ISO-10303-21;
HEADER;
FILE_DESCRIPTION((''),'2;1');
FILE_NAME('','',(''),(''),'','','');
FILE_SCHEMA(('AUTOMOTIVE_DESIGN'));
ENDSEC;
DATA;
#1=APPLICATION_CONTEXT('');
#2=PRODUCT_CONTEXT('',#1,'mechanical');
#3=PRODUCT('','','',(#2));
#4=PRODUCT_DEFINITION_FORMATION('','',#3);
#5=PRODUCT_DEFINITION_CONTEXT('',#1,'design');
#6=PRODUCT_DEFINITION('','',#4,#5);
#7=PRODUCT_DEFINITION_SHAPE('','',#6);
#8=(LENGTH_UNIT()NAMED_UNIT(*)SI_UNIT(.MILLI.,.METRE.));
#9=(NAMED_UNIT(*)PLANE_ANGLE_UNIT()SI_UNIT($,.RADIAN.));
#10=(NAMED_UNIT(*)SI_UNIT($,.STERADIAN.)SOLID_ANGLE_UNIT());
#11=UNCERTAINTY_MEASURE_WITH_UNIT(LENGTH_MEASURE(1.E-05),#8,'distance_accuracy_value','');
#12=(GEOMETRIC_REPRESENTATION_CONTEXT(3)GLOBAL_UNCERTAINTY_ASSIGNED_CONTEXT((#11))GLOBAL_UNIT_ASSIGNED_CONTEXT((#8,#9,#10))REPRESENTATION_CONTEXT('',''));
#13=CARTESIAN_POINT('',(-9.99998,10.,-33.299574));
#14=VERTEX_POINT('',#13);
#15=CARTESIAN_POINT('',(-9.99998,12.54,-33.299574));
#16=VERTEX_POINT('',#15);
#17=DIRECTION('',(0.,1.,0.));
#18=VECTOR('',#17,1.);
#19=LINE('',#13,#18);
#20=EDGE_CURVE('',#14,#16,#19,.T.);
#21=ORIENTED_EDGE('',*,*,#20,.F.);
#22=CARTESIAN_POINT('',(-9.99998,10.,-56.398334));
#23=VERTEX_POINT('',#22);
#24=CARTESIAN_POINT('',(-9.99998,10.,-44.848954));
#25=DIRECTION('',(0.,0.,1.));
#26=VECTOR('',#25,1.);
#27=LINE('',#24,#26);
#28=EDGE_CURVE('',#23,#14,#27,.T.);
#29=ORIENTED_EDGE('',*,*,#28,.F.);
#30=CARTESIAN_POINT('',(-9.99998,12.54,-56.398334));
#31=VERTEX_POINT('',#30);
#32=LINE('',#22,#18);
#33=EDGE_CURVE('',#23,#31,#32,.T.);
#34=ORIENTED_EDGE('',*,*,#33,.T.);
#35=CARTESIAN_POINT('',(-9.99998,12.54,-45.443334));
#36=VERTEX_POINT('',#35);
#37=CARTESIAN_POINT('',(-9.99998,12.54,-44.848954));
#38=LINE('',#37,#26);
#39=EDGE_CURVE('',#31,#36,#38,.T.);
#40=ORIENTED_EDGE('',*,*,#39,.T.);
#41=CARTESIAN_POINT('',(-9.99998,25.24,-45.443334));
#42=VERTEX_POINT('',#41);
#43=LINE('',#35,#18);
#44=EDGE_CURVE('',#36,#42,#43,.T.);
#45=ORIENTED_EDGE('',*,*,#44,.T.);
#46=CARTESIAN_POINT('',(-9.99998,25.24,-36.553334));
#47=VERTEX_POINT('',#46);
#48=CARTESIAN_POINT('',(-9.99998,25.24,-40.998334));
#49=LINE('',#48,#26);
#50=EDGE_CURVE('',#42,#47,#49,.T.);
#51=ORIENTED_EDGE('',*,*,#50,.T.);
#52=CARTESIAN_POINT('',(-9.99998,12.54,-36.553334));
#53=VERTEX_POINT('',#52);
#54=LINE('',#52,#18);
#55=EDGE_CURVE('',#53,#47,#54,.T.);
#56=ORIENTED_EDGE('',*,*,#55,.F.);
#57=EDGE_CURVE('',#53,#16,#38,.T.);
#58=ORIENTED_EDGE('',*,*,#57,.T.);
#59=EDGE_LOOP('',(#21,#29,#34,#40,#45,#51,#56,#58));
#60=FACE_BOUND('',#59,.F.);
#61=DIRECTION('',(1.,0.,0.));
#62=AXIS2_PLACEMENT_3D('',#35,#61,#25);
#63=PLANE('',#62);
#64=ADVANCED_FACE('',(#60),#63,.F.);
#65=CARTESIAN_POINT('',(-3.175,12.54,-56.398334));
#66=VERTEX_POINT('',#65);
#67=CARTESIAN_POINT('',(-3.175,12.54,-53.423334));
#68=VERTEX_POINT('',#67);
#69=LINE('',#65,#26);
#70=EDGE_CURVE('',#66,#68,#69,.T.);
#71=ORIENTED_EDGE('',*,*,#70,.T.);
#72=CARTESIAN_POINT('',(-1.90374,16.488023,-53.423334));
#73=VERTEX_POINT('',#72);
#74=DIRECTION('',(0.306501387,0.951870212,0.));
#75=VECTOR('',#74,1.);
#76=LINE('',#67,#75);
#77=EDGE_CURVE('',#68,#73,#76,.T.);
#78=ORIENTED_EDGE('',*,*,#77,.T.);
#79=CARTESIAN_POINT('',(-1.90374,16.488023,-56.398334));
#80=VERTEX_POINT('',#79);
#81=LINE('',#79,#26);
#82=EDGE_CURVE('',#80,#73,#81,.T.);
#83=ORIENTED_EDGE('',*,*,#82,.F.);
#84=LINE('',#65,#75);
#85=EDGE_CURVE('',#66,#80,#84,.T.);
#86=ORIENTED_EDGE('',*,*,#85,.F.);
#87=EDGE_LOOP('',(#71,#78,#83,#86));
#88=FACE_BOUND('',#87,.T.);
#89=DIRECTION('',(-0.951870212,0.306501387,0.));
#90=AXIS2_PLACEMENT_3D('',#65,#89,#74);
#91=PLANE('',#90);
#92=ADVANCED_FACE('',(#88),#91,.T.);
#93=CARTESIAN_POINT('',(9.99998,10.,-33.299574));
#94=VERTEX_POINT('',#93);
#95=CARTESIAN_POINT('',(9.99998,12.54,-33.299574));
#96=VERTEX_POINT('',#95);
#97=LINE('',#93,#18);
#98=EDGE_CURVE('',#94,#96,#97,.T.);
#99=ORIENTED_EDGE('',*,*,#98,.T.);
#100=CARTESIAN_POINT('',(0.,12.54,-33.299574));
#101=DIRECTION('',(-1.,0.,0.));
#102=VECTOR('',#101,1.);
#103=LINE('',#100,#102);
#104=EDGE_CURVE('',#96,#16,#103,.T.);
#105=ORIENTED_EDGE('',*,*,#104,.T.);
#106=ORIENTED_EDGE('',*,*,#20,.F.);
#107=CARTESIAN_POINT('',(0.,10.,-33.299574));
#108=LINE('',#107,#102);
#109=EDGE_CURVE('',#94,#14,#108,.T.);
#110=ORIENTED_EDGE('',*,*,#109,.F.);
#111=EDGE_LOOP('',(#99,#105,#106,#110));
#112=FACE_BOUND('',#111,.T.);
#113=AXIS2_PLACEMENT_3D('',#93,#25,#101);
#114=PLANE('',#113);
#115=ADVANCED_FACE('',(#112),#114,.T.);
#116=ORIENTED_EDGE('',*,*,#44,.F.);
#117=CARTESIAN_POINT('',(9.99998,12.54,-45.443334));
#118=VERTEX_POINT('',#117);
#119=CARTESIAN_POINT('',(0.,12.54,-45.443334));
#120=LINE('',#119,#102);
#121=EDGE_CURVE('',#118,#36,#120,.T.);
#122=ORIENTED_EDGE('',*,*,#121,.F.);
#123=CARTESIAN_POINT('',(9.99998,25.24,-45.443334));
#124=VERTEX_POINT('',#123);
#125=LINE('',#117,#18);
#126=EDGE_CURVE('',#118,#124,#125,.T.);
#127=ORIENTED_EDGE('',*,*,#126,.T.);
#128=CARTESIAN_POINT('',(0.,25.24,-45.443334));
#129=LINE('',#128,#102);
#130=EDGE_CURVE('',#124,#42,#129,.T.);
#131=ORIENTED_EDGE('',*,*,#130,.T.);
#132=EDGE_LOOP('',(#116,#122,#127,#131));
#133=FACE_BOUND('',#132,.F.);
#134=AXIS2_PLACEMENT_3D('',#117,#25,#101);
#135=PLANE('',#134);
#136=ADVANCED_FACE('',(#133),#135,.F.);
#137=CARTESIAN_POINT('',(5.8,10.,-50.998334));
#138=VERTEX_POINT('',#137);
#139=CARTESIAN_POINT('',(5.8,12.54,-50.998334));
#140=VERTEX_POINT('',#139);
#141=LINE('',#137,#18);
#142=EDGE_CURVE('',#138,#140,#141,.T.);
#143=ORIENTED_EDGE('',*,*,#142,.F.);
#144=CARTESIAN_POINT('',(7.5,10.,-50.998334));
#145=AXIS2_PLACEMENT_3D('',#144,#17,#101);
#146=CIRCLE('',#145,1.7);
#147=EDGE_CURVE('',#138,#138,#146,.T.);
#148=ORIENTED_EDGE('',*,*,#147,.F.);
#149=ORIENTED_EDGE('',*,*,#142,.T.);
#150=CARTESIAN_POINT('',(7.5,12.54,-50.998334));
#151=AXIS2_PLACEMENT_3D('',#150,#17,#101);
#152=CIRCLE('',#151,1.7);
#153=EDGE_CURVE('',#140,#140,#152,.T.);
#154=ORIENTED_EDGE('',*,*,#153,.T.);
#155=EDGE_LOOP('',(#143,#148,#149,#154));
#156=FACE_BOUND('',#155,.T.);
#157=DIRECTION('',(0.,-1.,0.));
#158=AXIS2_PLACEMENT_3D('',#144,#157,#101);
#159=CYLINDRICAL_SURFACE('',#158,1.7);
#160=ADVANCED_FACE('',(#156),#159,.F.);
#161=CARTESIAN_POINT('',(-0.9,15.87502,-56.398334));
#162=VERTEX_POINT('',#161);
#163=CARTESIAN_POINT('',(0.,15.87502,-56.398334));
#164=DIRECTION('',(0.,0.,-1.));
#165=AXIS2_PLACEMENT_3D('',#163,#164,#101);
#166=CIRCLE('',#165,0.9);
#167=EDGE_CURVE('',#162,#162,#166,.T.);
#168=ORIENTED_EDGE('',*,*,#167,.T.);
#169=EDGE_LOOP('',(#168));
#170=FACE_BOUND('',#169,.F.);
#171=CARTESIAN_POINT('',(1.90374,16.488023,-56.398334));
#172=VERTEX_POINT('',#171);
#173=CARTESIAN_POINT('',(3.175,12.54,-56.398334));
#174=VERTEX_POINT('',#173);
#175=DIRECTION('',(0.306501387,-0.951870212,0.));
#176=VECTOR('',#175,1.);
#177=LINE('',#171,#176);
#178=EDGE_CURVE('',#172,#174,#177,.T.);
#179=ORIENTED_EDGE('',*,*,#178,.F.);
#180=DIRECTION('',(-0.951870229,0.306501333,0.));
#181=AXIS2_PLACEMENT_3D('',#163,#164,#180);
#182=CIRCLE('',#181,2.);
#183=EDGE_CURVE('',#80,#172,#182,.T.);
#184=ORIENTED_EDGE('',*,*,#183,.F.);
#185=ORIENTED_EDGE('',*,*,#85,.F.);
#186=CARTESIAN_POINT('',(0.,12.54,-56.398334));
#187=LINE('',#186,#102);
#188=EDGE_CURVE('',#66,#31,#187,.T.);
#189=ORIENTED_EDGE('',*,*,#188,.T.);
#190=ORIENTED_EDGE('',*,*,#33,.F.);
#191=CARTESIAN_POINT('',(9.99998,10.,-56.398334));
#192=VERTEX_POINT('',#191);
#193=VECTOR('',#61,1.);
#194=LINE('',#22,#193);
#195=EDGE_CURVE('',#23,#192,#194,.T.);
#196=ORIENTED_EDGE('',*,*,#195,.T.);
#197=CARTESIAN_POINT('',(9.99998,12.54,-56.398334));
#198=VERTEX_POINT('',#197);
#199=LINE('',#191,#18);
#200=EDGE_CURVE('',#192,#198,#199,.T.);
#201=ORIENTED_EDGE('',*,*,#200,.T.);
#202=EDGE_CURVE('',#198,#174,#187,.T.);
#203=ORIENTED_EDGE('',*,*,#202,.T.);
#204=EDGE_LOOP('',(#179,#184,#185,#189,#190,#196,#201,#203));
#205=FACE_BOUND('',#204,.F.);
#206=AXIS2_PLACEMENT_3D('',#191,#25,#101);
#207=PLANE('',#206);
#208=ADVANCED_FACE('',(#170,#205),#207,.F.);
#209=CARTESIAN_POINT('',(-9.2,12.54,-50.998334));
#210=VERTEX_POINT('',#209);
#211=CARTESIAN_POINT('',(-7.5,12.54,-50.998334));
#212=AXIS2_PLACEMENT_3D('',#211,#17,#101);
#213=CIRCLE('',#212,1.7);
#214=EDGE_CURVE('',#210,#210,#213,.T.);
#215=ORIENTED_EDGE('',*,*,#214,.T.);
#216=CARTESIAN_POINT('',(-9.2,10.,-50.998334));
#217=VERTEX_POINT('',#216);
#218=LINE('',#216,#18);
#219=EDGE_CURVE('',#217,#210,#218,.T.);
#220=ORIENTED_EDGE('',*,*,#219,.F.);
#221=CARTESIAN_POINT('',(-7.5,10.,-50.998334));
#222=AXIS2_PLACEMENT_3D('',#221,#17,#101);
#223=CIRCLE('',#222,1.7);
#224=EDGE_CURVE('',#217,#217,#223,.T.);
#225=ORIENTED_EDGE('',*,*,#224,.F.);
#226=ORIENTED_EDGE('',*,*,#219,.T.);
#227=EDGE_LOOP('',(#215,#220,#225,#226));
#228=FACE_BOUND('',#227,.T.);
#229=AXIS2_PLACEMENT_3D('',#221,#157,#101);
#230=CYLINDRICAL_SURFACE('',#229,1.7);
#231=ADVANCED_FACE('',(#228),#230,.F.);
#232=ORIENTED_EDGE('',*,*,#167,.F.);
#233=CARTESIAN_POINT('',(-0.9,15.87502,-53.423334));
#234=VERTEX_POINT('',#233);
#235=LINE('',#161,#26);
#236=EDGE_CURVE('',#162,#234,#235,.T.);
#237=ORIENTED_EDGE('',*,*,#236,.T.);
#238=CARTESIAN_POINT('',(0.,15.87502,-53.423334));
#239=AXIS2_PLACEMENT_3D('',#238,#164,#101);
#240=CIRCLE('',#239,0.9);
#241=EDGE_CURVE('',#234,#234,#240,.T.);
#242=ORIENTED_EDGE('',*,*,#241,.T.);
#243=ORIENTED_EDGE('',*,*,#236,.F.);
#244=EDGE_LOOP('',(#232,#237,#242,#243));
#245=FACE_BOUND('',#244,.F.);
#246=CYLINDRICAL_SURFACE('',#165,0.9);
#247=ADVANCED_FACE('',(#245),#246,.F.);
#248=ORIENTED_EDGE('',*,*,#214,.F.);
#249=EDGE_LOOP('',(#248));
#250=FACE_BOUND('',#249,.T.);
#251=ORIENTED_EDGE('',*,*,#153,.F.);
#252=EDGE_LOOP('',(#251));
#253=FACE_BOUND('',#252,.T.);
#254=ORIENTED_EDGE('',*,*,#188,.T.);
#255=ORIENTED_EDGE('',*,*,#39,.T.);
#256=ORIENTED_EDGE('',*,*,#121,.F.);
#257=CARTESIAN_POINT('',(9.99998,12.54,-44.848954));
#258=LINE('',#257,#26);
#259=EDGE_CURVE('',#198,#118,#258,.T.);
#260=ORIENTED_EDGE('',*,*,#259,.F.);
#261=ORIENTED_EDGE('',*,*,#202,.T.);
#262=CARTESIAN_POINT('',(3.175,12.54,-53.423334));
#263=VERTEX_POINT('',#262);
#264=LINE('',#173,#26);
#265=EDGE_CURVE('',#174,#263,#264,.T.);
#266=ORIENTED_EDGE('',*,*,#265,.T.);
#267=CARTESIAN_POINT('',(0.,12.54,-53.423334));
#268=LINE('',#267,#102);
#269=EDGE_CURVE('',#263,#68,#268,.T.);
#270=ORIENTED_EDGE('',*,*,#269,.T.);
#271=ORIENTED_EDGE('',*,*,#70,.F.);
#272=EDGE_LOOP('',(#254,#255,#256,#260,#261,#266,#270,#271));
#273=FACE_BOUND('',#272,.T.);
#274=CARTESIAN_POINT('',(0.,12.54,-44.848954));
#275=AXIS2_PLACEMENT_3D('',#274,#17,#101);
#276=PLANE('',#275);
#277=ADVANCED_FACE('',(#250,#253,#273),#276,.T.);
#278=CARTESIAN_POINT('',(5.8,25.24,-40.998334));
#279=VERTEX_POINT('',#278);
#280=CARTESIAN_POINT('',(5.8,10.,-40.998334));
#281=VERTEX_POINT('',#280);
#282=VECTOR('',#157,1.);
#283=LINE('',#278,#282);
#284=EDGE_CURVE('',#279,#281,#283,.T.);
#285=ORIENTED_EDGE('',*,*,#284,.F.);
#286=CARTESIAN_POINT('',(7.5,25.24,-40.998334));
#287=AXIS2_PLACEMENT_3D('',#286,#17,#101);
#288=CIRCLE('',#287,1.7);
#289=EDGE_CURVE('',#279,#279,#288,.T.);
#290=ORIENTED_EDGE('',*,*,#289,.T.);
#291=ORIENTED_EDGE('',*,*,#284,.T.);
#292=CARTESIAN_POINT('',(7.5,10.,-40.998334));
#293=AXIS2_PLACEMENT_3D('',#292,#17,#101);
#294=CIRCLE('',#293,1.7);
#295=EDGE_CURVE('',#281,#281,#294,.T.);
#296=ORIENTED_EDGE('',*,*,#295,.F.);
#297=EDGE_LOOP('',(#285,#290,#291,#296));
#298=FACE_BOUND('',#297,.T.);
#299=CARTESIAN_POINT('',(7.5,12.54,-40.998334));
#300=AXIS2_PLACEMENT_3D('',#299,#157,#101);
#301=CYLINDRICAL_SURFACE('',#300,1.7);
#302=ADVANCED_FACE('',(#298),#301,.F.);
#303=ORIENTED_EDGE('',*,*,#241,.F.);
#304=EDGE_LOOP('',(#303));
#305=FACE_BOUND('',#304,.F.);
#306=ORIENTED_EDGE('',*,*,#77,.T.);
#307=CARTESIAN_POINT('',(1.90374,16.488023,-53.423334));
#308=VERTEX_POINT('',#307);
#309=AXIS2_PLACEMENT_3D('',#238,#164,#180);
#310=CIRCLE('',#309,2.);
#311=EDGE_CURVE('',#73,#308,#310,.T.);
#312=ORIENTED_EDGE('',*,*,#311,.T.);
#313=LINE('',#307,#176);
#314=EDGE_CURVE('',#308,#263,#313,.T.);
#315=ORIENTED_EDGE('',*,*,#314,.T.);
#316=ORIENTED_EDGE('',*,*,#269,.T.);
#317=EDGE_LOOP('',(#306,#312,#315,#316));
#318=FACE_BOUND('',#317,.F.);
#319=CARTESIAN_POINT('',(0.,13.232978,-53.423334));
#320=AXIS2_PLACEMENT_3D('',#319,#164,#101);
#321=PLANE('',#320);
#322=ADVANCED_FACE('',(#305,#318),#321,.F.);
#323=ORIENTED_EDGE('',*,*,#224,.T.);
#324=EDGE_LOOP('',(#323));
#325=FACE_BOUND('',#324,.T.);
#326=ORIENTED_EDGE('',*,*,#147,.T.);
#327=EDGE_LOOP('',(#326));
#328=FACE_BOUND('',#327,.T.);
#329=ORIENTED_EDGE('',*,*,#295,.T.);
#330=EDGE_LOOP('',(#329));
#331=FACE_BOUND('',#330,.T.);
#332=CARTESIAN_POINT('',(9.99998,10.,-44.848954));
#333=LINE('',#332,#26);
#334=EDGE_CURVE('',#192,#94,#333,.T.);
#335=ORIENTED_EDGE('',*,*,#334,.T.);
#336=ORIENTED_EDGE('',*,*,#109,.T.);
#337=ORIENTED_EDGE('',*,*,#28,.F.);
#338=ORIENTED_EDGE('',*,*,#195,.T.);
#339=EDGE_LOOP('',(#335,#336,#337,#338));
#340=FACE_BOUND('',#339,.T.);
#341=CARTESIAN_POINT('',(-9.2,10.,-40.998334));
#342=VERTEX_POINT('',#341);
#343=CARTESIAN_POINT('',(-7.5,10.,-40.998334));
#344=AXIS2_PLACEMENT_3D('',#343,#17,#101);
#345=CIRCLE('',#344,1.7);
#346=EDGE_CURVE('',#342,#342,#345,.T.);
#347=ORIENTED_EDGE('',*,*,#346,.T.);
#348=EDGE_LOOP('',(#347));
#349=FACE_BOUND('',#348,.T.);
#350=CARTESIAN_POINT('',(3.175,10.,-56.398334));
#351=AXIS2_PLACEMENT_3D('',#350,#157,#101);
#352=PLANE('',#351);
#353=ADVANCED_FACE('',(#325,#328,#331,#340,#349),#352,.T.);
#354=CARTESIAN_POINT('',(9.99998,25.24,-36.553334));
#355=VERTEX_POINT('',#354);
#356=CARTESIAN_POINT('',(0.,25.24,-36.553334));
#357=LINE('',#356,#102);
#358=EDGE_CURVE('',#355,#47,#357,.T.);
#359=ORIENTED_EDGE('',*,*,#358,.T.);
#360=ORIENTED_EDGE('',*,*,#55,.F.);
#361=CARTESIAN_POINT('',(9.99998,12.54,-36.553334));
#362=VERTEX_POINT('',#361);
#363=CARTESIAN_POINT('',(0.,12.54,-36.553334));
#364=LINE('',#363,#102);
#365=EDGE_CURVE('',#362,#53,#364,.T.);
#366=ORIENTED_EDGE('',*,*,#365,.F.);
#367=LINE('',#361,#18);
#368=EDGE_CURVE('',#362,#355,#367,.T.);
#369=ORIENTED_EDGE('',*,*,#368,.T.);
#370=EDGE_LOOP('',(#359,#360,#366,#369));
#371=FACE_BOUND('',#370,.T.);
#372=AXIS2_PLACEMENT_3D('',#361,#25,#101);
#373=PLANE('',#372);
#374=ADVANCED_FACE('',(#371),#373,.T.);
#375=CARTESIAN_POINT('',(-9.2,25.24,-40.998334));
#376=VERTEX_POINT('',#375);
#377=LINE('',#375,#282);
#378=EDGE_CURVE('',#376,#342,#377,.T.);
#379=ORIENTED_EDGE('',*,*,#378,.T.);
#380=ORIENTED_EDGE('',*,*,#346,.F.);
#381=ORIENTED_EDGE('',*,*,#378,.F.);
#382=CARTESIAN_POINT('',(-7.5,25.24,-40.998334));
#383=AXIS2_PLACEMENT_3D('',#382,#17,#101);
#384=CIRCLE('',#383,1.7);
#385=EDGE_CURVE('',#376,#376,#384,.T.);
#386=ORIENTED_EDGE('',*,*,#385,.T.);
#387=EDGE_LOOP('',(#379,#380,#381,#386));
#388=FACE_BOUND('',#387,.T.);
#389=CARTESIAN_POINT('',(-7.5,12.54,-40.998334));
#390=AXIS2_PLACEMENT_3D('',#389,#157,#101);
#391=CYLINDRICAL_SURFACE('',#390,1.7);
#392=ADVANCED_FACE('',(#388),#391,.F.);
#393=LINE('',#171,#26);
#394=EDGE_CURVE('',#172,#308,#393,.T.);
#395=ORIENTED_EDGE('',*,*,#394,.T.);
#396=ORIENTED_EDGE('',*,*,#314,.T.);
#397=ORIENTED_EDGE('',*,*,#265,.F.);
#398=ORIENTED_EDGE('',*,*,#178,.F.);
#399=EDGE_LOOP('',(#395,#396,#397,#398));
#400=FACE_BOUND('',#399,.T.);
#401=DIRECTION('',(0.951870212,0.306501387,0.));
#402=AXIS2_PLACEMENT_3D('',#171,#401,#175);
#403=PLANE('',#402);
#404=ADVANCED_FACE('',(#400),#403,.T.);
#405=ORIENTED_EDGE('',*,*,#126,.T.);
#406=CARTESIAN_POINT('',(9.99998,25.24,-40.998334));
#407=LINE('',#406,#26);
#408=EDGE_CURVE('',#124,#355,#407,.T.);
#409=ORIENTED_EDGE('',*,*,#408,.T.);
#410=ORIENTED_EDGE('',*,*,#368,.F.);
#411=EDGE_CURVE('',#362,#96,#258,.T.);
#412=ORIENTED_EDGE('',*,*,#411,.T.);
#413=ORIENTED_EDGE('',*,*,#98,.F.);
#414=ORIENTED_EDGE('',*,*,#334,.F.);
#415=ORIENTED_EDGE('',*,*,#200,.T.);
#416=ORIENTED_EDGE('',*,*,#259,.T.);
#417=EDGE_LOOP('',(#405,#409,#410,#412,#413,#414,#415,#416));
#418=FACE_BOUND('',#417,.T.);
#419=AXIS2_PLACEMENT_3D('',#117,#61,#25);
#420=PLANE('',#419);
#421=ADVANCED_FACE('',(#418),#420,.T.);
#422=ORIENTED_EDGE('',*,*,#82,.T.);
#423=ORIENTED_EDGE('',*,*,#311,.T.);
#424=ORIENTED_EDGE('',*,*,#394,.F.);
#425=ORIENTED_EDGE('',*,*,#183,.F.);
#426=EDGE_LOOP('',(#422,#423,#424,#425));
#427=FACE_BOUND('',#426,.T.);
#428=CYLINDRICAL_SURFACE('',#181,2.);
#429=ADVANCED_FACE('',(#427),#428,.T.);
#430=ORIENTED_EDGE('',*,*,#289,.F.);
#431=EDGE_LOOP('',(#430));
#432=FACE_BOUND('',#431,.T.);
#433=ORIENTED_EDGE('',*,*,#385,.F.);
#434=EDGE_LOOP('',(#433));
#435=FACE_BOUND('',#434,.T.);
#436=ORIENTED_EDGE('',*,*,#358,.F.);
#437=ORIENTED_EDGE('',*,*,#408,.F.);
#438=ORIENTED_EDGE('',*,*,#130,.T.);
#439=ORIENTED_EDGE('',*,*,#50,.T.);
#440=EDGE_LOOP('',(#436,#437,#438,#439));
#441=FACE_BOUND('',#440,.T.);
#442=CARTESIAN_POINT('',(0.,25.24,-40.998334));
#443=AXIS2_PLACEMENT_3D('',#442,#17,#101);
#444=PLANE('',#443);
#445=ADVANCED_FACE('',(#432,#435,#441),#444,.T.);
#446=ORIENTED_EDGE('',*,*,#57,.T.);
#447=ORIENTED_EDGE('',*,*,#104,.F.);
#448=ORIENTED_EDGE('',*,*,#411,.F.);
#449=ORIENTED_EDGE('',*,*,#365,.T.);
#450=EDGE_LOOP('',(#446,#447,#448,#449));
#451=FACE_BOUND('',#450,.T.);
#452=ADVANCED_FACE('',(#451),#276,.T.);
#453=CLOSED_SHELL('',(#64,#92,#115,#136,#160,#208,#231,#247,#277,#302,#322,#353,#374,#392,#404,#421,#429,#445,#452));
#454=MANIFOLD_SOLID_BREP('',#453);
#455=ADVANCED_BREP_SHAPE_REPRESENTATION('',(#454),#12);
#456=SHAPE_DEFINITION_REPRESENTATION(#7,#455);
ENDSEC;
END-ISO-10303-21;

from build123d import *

# Parameters (mm, degrees)
SKETCH036_W  = 19.99996
SKETCH036_H  = 23.09876
SKETCH036_R  = 1.7
PAD003_DEPTH = 2.54
SKETCH051_W  = 19.99996
SKETCH051_H  = 8.89
SKETCH051_R  = 1.7
PAD011_DEPTH = 12.7
SKETCH050_R  = 0.9
PAD012_DEPTH = 2.975


with BuildPart() as part:
    # Sketch036 → Pad003 (new body)
    with BuildSketch(Plane(origin=(0, 10, -45.999574), x_dir=(-1, 0, 0), z_dir=(0, 1, 0))):
        with Locations((0, 1.15062)):
            Rectangle(SKETCH036_W, SKETCH036_H)
        with Locations((-7.5, 5.00124)):
            Circle(SKETCH036_R, mode=Mode.SUBTRACT)
        with Locations((-7.5, -4.99876)):
            Circle(SKETCH036_R, mode=Mode.SUBTRACT)
        with Locations((7.5, -4.99876)):
            Circle(SKETCH036_R, mode=Mode.SUBTRACT)
        with Locations((7.5, 5.00124)):
            Circle(SKETCH036_R, mode=Mode.SUBTRACT)
    extrude(amount=PAD003_DEPTH)

    # Sketch051 (on Face10 of Pad003) → Pad011 (join)
    with BuildSketch(Plane(origin=(0, 12.54, -45.999574), x_dir=(-1, 0, 0), z_dir=(0, 1, 0))):
        with Locations((0, 5.00124)):
            Rectangle(SKETCH051_W, SKETCH051_H)
        with Locations((-7.5, 5.00124)):
            Circle(SKETCH051_R, mode=Mode.SUBTRACT)
        with Locations((7.5, 5.00124)):
            Circle(SKETCH051_R, mode=Mode.SUBTRACT)
    extrude(amount=PAD011_DEPTH)

    # Sketch050 → Pad012 (join)
    with BuildSketch(Plane(origin=(0, 10, -56.398334), x_dir=(-1, 0, 0), z_dir=(0, 0, -1))):
        with BuildLine():
            Line((-3.175, 2.54), (-3.175, 0))
            Line((-3.175, 0), (3.175, 0))
            Line((3.175, 0), (3.175, 2.54))
            Line((3.175, 2.54), (1.90374, 6.488023))
            ThreePointArc((1.90374, 6.488023), (0, 7.87502), (-1.90374, 6.488023))
            Line((-1.90374, 6.488023), (-3.175, 2.54))
        make_face()
        with Locations((0, 5.87502)):
            Circle(SKETCH050_R, mode=Mode.SUBTRACT)
    extrude(amount=-PAD012_DEPTH)


solid = part.part
